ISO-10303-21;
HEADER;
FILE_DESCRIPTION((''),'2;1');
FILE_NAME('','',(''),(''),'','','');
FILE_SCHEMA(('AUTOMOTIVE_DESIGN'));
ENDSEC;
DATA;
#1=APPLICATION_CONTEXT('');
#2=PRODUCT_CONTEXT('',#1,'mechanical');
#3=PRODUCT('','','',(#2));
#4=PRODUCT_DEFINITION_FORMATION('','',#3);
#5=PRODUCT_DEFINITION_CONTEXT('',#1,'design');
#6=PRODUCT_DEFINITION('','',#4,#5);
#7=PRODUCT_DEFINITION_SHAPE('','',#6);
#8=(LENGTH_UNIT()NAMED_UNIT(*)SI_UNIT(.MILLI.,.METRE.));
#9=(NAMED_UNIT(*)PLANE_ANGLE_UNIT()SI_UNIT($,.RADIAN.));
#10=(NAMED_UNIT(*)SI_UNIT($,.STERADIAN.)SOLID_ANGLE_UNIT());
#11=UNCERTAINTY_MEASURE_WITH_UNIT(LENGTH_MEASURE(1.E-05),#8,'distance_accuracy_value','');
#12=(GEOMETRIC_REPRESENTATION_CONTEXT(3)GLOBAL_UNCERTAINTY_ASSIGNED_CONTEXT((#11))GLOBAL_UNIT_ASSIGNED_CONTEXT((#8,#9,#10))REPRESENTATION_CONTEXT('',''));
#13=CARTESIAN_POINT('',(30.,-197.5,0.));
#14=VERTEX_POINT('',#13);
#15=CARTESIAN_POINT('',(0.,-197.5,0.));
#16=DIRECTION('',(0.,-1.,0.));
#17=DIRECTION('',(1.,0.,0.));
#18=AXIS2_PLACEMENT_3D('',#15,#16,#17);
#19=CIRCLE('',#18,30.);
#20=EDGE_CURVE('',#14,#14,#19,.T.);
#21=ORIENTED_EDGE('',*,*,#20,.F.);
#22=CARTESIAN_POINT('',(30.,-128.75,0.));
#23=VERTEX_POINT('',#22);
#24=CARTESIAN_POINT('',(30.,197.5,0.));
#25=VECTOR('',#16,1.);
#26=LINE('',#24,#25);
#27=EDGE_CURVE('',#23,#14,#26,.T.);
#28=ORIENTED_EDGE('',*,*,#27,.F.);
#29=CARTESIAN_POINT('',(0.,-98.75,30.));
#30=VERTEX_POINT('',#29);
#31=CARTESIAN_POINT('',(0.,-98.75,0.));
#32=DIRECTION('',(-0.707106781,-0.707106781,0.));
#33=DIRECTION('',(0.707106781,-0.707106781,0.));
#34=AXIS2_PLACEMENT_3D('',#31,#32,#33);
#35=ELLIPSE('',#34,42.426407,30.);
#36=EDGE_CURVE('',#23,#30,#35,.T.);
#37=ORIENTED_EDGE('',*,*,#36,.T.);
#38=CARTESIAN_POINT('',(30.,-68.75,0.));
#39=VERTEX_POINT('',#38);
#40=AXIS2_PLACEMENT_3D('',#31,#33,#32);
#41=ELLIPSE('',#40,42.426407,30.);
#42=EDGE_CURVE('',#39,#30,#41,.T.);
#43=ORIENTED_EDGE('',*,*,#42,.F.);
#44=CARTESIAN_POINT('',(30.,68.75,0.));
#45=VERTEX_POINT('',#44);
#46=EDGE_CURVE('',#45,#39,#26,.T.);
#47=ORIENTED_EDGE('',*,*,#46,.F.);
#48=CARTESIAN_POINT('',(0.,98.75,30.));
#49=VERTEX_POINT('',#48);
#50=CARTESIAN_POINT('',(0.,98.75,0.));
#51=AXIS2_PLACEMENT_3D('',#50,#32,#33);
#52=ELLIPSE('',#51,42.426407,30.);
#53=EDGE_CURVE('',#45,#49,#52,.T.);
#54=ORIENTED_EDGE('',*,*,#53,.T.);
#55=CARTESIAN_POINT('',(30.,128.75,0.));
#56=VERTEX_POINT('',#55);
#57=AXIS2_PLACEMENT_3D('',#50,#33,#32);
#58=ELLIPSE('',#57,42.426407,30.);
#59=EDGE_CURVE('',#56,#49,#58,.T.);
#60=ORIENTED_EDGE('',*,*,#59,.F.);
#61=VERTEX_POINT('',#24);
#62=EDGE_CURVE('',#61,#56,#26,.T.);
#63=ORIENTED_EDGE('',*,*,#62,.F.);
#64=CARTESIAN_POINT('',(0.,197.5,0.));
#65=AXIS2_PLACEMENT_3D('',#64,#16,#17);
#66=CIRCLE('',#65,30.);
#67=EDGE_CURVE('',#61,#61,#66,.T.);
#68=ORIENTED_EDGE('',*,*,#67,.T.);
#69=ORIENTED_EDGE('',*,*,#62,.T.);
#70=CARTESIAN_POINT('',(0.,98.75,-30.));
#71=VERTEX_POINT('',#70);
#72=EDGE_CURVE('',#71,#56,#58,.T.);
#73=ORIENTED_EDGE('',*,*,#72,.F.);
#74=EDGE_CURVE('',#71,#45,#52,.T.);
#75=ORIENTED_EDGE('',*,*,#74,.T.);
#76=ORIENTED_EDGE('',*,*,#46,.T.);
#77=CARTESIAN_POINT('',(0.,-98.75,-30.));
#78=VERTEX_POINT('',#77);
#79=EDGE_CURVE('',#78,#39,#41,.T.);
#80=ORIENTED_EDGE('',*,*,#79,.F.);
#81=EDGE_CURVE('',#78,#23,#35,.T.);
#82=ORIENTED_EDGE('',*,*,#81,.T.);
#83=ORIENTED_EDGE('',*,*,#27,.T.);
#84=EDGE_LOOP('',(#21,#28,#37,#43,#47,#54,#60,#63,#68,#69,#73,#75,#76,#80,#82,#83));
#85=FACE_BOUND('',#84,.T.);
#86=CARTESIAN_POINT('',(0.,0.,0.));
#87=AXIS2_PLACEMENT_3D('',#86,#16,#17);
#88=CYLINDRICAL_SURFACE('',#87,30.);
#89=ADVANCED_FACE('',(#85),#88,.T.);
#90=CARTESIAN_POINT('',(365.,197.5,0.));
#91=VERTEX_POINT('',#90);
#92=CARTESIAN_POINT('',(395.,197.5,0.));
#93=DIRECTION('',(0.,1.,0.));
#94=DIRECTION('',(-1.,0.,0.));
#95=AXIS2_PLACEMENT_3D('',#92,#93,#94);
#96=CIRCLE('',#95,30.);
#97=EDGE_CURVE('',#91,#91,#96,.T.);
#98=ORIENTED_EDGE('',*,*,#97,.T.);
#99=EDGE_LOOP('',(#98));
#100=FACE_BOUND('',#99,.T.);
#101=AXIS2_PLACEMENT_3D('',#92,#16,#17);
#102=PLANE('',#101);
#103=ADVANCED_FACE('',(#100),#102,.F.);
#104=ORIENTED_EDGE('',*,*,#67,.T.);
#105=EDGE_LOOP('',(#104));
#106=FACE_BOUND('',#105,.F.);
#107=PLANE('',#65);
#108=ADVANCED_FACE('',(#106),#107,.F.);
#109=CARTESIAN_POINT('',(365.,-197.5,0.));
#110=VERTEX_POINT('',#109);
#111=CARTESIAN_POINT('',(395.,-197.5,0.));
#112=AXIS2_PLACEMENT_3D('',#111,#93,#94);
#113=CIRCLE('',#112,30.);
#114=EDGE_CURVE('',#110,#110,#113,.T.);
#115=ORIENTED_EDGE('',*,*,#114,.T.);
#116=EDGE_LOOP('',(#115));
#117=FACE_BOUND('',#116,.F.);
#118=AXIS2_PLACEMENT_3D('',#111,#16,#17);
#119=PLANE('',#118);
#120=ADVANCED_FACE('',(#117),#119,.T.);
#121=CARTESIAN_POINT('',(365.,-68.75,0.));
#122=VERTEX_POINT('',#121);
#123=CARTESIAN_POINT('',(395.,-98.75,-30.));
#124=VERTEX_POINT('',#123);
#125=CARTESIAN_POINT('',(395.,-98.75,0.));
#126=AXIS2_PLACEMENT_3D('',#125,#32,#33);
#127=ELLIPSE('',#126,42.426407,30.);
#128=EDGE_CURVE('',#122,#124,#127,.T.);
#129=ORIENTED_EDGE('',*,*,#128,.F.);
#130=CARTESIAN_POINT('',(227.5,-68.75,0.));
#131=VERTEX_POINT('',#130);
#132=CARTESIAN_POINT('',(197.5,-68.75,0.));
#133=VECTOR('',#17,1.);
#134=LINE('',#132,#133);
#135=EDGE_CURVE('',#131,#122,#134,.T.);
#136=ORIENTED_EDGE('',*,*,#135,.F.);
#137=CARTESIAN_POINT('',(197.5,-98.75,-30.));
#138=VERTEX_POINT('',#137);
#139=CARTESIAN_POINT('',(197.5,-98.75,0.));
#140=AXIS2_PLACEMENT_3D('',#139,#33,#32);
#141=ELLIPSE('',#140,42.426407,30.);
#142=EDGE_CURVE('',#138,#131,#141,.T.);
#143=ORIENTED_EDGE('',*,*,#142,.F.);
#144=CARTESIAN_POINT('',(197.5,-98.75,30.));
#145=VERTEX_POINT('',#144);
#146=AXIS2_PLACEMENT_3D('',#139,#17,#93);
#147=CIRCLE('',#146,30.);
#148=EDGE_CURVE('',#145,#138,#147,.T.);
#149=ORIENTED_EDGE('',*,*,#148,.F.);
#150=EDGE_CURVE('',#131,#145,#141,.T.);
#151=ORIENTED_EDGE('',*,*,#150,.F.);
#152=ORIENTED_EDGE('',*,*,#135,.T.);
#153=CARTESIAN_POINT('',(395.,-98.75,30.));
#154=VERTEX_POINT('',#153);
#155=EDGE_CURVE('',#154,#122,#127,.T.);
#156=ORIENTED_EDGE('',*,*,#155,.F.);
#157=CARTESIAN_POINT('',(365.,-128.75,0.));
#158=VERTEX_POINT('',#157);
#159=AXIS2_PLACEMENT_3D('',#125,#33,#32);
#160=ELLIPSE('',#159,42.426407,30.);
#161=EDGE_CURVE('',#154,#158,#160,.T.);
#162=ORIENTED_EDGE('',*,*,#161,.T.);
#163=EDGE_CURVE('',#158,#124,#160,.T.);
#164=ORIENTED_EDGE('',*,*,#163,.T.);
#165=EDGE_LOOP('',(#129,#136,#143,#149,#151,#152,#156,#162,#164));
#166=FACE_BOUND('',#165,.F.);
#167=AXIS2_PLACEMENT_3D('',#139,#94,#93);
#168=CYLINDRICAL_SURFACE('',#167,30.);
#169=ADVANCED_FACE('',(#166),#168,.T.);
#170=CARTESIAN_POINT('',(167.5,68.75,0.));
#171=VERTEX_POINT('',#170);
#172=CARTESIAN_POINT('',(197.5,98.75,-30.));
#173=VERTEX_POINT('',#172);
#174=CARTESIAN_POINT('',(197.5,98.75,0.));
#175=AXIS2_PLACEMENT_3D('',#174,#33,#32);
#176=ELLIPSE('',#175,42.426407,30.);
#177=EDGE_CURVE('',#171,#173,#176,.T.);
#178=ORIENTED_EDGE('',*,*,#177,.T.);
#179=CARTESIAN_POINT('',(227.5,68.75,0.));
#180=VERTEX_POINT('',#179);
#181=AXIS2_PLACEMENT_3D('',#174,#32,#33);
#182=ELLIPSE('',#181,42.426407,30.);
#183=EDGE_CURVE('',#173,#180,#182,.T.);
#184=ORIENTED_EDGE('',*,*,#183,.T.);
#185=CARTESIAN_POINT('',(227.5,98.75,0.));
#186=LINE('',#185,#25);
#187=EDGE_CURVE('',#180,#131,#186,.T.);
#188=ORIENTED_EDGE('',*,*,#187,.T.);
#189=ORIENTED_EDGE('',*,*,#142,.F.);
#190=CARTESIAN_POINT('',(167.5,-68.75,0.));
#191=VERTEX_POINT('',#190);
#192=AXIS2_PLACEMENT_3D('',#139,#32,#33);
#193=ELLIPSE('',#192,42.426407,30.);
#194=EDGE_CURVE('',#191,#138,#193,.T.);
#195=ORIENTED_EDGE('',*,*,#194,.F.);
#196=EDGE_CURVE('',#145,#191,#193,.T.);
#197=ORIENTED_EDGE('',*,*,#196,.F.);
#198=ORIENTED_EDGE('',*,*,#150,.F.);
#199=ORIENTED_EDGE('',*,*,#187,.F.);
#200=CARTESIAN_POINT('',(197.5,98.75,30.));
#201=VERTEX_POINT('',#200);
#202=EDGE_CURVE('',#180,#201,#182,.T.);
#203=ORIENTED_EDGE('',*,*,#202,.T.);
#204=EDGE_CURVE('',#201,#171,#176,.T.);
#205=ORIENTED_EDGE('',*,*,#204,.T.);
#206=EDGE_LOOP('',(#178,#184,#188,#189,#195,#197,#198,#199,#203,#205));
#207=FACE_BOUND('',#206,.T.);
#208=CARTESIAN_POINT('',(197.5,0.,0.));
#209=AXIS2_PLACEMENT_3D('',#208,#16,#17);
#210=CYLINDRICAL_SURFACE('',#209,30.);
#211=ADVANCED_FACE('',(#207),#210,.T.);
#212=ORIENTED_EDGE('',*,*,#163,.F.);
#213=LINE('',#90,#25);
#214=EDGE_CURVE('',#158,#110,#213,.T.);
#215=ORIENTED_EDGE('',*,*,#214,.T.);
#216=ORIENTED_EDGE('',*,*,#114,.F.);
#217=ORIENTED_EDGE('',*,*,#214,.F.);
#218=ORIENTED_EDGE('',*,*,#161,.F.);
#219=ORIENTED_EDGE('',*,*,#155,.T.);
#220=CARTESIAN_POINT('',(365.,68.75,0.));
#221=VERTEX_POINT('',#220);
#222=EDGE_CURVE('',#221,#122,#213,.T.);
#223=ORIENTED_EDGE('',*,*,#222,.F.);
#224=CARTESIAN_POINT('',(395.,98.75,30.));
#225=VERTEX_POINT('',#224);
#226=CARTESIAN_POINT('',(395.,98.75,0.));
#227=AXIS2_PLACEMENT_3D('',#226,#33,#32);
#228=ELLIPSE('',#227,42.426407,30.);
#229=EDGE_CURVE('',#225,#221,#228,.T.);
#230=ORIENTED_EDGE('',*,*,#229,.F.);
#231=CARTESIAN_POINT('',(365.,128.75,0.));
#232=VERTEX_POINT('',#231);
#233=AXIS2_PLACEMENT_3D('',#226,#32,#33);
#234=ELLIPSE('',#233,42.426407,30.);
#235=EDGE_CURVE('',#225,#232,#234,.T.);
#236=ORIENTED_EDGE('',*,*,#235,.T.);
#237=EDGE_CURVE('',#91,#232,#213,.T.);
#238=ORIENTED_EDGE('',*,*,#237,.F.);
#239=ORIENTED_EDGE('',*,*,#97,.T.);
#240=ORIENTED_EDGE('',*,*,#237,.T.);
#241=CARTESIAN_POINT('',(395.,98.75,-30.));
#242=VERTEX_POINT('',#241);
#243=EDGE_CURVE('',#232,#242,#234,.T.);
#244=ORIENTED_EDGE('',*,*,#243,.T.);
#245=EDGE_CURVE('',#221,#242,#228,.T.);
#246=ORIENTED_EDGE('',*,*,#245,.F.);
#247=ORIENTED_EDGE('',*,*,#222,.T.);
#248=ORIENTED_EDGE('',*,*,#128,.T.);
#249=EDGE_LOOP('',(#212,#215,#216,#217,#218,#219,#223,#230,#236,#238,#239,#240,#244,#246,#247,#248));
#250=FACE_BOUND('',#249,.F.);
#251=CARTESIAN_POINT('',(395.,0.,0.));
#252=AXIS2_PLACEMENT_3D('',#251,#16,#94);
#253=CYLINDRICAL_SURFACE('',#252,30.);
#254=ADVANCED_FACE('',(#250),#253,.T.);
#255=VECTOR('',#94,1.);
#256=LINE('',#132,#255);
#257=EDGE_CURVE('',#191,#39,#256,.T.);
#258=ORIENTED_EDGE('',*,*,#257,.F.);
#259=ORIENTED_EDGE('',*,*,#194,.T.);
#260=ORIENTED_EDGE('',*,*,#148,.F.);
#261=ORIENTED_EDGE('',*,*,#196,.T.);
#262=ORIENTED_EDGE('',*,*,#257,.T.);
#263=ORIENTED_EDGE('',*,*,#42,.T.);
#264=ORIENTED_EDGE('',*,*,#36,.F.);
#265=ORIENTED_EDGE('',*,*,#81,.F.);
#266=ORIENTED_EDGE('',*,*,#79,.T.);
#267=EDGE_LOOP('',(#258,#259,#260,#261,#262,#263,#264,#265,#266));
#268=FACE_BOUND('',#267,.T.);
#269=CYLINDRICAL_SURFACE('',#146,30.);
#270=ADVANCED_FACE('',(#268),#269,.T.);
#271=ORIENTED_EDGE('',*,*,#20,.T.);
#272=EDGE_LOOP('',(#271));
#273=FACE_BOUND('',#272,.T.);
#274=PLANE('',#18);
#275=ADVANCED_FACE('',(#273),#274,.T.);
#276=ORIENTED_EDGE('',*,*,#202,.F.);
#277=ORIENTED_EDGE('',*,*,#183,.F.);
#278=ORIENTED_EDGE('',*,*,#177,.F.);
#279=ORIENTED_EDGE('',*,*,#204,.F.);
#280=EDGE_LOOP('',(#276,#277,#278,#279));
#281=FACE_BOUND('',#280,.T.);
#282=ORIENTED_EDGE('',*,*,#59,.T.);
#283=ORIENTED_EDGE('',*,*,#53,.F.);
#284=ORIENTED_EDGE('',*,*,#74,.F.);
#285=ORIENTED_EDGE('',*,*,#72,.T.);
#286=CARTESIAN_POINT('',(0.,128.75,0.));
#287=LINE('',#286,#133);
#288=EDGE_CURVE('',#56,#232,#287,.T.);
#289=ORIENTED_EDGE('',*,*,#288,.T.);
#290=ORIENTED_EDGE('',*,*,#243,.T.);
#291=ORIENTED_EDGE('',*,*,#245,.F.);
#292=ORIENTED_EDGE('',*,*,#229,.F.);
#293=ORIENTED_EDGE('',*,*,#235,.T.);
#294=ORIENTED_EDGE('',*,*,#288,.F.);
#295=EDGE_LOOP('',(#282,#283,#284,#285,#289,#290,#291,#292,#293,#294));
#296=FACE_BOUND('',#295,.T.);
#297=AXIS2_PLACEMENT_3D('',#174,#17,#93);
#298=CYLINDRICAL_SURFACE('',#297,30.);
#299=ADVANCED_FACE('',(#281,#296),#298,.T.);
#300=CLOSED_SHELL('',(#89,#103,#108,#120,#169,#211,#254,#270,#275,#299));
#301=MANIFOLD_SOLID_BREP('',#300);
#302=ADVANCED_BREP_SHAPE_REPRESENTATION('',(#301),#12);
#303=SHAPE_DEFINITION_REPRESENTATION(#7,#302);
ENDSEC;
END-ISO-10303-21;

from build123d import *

# Parameters (mm, degrees)
F0_R     = 30
F1_DEPTH = 197.5
F2_DEPTH = 98.75
F5_R     = 30
F6_DEPTH = 197.5


with BuildPart() as f1:
    # F0 (on Front) → F1 (new body, symmetric)
    with BuildSketch(Plane.XZ):
        Circle(F0_R)
    extrude(amount=F1_DEPTH, both=True)



with BuildPart() as f2:
    # F0 (on Front) → F2 (new body, symmetric)
    with BuildSketch(Plane.XZ):
        with Locations((197.5, 0)):
            Circle(F0_R)
    extrude(amount=F2_DEPTH, both=True)


with BuildPart() as f4_1:
    # F4: instance of F1
    add(f1.part.mirror(Plane.YZ.offset(197.5)))


with BuildPart() as f1_1:
    add(f1.part)

    add(f2.part)  # F6 merges F2

    add(f4_1.part)  # F6 merges F4_1
    # F5 (on plane+point) → F6 (join, symmetric)
    with BuildSketch(Plane.YZ.offset(197.5)):
        with Locations((-98.75, 0)):
            Circle(F5_R)
        with Locations((98.75, 0)):
            Circle(F5_R)
    extrude(amount=F6_DEPTH, both=True)


solid = f1_1.part
